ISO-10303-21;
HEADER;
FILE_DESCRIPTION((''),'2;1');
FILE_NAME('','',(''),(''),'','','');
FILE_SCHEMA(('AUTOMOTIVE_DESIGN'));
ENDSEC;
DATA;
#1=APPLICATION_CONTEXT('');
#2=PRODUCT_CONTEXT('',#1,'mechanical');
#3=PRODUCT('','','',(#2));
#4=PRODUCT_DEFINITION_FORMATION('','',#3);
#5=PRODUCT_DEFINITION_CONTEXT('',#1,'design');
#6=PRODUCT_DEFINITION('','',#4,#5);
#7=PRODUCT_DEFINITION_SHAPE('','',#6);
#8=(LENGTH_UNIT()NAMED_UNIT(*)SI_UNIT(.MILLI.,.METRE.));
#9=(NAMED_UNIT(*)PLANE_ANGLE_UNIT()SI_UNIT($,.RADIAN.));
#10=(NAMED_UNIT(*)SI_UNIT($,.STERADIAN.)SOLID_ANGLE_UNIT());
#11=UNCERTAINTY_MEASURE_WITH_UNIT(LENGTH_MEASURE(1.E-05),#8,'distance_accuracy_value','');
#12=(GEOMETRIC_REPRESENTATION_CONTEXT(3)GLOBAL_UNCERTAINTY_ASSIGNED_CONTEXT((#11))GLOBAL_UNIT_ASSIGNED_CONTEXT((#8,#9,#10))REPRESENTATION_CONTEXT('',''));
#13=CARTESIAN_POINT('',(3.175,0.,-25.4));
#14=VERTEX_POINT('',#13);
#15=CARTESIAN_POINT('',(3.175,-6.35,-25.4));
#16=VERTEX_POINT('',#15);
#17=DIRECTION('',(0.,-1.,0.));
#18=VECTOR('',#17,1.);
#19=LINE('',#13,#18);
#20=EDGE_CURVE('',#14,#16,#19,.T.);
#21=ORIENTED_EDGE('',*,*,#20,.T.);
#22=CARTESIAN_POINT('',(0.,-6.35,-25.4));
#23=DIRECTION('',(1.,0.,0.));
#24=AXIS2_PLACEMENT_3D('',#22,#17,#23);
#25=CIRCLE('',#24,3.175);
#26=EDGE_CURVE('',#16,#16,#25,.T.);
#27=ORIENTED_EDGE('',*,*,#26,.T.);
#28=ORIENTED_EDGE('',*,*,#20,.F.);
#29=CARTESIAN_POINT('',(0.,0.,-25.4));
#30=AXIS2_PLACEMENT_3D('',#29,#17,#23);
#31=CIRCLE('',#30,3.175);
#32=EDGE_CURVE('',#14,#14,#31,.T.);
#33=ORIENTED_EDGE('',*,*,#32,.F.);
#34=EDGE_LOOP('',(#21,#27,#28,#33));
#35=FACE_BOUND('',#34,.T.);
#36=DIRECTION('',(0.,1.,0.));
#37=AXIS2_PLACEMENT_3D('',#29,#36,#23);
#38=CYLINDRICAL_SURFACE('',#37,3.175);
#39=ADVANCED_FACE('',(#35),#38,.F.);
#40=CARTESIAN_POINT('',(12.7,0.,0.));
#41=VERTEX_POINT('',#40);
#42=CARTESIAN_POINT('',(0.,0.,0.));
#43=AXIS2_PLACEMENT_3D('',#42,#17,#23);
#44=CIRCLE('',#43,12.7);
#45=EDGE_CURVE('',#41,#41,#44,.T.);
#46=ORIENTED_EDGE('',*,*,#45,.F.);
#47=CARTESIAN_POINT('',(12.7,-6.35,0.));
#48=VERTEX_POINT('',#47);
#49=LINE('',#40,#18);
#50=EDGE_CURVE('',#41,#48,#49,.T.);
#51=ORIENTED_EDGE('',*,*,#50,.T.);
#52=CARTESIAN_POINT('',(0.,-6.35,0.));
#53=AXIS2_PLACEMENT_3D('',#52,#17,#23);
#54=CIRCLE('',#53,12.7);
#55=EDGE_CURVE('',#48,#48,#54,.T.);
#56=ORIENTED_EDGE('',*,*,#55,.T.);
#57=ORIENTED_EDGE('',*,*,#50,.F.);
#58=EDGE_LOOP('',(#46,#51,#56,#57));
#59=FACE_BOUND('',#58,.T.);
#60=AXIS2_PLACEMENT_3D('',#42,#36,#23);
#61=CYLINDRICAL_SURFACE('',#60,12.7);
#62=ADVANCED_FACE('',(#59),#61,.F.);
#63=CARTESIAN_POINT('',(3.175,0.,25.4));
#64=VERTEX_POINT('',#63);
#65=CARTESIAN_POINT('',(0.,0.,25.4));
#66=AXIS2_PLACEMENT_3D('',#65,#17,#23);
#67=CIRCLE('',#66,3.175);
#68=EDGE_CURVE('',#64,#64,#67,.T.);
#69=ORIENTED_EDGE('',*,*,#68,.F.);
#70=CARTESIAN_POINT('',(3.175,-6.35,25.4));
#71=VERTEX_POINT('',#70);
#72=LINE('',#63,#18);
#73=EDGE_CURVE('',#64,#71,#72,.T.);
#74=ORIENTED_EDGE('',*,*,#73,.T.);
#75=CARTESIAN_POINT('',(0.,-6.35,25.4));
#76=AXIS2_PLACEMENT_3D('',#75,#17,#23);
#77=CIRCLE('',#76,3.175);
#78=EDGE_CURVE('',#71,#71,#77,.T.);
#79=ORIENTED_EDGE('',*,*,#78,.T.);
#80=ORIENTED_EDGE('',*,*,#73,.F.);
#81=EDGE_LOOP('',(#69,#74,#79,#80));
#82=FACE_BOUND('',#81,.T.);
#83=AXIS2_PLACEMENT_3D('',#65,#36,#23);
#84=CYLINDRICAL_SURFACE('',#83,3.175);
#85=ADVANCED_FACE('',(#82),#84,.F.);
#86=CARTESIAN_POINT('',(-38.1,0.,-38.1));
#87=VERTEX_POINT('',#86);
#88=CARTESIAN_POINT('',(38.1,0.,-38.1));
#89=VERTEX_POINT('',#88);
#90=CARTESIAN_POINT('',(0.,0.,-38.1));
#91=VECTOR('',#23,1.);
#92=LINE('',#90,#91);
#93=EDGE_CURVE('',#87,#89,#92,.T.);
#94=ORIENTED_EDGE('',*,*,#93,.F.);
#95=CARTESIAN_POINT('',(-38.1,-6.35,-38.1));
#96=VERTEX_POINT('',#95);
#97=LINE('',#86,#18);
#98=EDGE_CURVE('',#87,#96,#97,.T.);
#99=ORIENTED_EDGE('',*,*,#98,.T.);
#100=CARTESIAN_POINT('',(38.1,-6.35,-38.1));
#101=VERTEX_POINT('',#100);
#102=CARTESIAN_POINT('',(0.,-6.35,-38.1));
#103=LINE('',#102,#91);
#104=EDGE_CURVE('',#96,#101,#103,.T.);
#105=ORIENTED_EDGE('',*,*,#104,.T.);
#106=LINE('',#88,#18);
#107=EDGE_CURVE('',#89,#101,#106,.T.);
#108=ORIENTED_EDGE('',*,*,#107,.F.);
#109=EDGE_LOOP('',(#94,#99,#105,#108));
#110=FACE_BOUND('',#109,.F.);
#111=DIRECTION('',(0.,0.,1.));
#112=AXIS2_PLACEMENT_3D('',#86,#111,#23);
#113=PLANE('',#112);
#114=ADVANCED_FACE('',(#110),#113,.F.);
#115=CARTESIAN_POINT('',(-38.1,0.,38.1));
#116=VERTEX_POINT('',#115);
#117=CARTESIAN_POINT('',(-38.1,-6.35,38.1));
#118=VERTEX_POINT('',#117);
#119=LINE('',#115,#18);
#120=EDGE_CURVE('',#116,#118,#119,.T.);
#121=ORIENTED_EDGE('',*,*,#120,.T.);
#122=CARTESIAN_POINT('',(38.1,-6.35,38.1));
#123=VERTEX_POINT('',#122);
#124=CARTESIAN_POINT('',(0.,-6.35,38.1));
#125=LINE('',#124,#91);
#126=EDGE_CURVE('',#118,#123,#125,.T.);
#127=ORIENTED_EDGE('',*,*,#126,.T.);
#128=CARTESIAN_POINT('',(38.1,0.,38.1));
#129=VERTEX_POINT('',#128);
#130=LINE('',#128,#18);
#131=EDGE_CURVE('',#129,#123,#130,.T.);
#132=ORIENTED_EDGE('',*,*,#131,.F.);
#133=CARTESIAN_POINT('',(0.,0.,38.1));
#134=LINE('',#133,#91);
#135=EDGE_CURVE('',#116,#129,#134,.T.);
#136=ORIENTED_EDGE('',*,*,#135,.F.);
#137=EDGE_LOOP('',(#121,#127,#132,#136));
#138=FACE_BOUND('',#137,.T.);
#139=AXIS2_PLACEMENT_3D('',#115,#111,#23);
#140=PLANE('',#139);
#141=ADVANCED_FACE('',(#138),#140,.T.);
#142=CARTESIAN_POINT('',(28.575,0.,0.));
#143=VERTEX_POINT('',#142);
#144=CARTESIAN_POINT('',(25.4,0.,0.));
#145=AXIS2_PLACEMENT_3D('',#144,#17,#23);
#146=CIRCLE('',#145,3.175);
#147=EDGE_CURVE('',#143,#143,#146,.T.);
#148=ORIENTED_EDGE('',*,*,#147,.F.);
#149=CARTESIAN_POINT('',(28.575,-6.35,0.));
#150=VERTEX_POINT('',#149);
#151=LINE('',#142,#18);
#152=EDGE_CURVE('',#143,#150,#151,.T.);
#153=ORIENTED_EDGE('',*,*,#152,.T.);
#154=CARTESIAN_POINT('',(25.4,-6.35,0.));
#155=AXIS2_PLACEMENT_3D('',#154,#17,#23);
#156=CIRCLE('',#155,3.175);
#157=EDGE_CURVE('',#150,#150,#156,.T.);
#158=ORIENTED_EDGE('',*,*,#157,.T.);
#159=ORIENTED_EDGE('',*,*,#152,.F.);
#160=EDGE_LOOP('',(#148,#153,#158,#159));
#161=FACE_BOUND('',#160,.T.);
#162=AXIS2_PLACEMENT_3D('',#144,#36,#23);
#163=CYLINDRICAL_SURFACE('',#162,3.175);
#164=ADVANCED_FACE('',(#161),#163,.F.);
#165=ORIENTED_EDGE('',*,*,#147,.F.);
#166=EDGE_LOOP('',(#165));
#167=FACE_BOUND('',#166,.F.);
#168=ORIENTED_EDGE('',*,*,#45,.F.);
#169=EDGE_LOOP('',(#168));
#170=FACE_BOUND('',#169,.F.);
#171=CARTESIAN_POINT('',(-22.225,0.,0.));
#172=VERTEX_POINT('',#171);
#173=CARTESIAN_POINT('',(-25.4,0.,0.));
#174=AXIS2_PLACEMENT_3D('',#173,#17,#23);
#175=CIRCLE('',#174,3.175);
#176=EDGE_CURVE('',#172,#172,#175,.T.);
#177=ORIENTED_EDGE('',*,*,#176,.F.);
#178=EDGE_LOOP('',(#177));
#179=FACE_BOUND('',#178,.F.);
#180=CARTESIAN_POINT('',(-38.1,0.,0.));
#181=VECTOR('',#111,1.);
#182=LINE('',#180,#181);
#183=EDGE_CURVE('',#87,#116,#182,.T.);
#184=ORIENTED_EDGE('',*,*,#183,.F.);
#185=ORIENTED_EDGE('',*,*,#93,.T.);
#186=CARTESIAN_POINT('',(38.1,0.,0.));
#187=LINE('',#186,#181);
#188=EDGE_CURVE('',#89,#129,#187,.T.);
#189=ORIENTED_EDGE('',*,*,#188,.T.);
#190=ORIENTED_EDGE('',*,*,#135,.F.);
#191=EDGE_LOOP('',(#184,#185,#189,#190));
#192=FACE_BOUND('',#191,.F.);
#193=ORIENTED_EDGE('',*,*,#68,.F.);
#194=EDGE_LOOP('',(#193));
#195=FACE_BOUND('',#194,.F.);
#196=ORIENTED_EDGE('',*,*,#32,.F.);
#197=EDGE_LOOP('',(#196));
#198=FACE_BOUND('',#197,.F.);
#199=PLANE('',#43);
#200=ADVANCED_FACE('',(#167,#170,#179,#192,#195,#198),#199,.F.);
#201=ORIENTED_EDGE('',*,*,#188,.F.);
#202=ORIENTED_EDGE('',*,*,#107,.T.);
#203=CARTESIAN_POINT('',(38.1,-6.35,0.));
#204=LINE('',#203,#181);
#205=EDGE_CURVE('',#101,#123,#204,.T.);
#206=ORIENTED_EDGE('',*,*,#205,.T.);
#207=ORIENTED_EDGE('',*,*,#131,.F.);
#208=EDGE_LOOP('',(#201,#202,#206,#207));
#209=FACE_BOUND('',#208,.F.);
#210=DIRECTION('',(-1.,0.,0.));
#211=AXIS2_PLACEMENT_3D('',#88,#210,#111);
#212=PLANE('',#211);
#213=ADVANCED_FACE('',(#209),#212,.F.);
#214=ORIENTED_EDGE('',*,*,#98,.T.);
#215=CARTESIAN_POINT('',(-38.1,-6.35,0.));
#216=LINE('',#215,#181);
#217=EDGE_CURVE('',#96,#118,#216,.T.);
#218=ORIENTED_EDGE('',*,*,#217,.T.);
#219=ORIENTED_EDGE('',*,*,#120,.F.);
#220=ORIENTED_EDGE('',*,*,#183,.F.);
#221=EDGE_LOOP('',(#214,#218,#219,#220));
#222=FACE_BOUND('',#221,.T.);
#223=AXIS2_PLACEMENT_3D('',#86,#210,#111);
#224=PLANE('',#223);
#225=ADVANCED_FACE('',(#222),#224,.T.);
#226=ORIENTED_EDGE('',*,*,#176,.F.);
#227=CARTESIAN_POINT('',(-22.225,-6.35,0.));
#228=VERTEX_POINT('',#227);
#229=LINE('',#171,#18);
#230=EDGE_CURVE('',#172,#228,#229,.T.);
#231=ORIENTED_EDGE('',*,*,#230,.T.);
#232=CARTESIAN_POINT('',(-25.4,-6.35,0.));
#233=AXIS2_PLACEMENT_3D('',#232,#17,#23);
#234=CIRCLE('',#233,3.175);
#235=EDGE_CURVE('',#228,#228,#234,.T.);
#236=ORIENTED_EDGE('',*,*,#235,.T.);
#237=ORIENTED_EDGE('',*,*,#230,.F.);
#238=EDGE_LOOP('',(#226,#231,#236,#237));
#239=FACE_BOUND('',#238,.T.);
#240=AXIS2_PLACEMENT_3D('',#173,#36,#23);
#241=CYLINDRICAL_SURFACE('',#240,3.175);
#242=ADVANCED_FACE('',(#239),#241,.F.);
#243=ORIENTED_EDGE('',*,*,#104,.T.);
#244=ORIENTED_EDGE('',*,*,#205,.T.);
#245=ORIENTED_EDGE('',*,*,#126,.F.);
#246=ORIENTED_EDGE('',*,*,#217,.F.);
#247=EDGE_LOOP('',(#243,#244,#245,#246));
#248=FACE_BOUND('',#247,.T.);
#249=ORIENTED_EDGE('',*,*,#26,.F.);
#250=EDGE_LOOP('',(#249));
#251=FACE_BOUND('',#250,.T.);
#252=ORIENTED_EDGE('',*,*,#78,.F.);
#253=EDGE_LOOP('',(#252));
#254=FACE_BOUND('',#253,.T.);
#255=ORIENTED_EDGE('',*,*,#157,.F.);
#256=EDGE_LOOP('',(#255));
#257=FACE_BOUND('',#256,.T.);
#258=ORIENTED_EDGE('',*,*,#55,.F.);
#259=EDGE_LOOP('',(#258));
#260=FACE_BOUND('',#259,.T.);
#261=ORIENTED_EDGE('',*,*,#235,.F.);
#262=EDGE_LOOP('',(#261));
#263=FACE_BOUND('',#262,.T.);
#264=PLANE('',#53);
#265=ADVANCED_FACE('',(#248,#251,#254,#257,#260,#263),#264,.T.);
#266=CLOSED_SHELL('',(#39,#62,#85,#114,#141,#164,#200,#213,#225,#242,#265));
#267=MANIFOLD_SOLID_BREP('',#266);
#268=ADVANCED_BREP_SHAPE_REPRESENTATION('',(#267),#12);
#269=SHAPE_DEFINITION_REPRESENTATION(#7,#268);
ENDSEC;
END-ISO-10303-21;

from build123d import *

# Parameters (mm, degrees)
F0_W     = 76.2
F0_H     = 76.2
F0_R     = 3.175
F0_R_2   = 12.7
F1_DEPTH = 6.35


with BuildPart() as f1:
    # F0 (on Front) → F1 (new body)
    with BuildSketch(Plane.XZ):
        Rectangle(F0_W, F0_H)
        with Locations((0, -25.4)):
            Circle(F0_R, mode=Mode.SUBTRACT)
        with Locations((-25.4, 0)):
            Circle(F0_R, mode=Mode.SUBTRACT)
        Circle(F0_R_2, mode=Mode.SUBTRACT)
        with Locations((25.4, 0)):
            Circle(F0_R, mode=Mode.SUBTRACT)
        with Locations((0, 25.4)):
            Circle(F0_R, mode=Mode.SUBTRACT)
    extrude(amount=F1_DEPTH)


solid = f1.part
